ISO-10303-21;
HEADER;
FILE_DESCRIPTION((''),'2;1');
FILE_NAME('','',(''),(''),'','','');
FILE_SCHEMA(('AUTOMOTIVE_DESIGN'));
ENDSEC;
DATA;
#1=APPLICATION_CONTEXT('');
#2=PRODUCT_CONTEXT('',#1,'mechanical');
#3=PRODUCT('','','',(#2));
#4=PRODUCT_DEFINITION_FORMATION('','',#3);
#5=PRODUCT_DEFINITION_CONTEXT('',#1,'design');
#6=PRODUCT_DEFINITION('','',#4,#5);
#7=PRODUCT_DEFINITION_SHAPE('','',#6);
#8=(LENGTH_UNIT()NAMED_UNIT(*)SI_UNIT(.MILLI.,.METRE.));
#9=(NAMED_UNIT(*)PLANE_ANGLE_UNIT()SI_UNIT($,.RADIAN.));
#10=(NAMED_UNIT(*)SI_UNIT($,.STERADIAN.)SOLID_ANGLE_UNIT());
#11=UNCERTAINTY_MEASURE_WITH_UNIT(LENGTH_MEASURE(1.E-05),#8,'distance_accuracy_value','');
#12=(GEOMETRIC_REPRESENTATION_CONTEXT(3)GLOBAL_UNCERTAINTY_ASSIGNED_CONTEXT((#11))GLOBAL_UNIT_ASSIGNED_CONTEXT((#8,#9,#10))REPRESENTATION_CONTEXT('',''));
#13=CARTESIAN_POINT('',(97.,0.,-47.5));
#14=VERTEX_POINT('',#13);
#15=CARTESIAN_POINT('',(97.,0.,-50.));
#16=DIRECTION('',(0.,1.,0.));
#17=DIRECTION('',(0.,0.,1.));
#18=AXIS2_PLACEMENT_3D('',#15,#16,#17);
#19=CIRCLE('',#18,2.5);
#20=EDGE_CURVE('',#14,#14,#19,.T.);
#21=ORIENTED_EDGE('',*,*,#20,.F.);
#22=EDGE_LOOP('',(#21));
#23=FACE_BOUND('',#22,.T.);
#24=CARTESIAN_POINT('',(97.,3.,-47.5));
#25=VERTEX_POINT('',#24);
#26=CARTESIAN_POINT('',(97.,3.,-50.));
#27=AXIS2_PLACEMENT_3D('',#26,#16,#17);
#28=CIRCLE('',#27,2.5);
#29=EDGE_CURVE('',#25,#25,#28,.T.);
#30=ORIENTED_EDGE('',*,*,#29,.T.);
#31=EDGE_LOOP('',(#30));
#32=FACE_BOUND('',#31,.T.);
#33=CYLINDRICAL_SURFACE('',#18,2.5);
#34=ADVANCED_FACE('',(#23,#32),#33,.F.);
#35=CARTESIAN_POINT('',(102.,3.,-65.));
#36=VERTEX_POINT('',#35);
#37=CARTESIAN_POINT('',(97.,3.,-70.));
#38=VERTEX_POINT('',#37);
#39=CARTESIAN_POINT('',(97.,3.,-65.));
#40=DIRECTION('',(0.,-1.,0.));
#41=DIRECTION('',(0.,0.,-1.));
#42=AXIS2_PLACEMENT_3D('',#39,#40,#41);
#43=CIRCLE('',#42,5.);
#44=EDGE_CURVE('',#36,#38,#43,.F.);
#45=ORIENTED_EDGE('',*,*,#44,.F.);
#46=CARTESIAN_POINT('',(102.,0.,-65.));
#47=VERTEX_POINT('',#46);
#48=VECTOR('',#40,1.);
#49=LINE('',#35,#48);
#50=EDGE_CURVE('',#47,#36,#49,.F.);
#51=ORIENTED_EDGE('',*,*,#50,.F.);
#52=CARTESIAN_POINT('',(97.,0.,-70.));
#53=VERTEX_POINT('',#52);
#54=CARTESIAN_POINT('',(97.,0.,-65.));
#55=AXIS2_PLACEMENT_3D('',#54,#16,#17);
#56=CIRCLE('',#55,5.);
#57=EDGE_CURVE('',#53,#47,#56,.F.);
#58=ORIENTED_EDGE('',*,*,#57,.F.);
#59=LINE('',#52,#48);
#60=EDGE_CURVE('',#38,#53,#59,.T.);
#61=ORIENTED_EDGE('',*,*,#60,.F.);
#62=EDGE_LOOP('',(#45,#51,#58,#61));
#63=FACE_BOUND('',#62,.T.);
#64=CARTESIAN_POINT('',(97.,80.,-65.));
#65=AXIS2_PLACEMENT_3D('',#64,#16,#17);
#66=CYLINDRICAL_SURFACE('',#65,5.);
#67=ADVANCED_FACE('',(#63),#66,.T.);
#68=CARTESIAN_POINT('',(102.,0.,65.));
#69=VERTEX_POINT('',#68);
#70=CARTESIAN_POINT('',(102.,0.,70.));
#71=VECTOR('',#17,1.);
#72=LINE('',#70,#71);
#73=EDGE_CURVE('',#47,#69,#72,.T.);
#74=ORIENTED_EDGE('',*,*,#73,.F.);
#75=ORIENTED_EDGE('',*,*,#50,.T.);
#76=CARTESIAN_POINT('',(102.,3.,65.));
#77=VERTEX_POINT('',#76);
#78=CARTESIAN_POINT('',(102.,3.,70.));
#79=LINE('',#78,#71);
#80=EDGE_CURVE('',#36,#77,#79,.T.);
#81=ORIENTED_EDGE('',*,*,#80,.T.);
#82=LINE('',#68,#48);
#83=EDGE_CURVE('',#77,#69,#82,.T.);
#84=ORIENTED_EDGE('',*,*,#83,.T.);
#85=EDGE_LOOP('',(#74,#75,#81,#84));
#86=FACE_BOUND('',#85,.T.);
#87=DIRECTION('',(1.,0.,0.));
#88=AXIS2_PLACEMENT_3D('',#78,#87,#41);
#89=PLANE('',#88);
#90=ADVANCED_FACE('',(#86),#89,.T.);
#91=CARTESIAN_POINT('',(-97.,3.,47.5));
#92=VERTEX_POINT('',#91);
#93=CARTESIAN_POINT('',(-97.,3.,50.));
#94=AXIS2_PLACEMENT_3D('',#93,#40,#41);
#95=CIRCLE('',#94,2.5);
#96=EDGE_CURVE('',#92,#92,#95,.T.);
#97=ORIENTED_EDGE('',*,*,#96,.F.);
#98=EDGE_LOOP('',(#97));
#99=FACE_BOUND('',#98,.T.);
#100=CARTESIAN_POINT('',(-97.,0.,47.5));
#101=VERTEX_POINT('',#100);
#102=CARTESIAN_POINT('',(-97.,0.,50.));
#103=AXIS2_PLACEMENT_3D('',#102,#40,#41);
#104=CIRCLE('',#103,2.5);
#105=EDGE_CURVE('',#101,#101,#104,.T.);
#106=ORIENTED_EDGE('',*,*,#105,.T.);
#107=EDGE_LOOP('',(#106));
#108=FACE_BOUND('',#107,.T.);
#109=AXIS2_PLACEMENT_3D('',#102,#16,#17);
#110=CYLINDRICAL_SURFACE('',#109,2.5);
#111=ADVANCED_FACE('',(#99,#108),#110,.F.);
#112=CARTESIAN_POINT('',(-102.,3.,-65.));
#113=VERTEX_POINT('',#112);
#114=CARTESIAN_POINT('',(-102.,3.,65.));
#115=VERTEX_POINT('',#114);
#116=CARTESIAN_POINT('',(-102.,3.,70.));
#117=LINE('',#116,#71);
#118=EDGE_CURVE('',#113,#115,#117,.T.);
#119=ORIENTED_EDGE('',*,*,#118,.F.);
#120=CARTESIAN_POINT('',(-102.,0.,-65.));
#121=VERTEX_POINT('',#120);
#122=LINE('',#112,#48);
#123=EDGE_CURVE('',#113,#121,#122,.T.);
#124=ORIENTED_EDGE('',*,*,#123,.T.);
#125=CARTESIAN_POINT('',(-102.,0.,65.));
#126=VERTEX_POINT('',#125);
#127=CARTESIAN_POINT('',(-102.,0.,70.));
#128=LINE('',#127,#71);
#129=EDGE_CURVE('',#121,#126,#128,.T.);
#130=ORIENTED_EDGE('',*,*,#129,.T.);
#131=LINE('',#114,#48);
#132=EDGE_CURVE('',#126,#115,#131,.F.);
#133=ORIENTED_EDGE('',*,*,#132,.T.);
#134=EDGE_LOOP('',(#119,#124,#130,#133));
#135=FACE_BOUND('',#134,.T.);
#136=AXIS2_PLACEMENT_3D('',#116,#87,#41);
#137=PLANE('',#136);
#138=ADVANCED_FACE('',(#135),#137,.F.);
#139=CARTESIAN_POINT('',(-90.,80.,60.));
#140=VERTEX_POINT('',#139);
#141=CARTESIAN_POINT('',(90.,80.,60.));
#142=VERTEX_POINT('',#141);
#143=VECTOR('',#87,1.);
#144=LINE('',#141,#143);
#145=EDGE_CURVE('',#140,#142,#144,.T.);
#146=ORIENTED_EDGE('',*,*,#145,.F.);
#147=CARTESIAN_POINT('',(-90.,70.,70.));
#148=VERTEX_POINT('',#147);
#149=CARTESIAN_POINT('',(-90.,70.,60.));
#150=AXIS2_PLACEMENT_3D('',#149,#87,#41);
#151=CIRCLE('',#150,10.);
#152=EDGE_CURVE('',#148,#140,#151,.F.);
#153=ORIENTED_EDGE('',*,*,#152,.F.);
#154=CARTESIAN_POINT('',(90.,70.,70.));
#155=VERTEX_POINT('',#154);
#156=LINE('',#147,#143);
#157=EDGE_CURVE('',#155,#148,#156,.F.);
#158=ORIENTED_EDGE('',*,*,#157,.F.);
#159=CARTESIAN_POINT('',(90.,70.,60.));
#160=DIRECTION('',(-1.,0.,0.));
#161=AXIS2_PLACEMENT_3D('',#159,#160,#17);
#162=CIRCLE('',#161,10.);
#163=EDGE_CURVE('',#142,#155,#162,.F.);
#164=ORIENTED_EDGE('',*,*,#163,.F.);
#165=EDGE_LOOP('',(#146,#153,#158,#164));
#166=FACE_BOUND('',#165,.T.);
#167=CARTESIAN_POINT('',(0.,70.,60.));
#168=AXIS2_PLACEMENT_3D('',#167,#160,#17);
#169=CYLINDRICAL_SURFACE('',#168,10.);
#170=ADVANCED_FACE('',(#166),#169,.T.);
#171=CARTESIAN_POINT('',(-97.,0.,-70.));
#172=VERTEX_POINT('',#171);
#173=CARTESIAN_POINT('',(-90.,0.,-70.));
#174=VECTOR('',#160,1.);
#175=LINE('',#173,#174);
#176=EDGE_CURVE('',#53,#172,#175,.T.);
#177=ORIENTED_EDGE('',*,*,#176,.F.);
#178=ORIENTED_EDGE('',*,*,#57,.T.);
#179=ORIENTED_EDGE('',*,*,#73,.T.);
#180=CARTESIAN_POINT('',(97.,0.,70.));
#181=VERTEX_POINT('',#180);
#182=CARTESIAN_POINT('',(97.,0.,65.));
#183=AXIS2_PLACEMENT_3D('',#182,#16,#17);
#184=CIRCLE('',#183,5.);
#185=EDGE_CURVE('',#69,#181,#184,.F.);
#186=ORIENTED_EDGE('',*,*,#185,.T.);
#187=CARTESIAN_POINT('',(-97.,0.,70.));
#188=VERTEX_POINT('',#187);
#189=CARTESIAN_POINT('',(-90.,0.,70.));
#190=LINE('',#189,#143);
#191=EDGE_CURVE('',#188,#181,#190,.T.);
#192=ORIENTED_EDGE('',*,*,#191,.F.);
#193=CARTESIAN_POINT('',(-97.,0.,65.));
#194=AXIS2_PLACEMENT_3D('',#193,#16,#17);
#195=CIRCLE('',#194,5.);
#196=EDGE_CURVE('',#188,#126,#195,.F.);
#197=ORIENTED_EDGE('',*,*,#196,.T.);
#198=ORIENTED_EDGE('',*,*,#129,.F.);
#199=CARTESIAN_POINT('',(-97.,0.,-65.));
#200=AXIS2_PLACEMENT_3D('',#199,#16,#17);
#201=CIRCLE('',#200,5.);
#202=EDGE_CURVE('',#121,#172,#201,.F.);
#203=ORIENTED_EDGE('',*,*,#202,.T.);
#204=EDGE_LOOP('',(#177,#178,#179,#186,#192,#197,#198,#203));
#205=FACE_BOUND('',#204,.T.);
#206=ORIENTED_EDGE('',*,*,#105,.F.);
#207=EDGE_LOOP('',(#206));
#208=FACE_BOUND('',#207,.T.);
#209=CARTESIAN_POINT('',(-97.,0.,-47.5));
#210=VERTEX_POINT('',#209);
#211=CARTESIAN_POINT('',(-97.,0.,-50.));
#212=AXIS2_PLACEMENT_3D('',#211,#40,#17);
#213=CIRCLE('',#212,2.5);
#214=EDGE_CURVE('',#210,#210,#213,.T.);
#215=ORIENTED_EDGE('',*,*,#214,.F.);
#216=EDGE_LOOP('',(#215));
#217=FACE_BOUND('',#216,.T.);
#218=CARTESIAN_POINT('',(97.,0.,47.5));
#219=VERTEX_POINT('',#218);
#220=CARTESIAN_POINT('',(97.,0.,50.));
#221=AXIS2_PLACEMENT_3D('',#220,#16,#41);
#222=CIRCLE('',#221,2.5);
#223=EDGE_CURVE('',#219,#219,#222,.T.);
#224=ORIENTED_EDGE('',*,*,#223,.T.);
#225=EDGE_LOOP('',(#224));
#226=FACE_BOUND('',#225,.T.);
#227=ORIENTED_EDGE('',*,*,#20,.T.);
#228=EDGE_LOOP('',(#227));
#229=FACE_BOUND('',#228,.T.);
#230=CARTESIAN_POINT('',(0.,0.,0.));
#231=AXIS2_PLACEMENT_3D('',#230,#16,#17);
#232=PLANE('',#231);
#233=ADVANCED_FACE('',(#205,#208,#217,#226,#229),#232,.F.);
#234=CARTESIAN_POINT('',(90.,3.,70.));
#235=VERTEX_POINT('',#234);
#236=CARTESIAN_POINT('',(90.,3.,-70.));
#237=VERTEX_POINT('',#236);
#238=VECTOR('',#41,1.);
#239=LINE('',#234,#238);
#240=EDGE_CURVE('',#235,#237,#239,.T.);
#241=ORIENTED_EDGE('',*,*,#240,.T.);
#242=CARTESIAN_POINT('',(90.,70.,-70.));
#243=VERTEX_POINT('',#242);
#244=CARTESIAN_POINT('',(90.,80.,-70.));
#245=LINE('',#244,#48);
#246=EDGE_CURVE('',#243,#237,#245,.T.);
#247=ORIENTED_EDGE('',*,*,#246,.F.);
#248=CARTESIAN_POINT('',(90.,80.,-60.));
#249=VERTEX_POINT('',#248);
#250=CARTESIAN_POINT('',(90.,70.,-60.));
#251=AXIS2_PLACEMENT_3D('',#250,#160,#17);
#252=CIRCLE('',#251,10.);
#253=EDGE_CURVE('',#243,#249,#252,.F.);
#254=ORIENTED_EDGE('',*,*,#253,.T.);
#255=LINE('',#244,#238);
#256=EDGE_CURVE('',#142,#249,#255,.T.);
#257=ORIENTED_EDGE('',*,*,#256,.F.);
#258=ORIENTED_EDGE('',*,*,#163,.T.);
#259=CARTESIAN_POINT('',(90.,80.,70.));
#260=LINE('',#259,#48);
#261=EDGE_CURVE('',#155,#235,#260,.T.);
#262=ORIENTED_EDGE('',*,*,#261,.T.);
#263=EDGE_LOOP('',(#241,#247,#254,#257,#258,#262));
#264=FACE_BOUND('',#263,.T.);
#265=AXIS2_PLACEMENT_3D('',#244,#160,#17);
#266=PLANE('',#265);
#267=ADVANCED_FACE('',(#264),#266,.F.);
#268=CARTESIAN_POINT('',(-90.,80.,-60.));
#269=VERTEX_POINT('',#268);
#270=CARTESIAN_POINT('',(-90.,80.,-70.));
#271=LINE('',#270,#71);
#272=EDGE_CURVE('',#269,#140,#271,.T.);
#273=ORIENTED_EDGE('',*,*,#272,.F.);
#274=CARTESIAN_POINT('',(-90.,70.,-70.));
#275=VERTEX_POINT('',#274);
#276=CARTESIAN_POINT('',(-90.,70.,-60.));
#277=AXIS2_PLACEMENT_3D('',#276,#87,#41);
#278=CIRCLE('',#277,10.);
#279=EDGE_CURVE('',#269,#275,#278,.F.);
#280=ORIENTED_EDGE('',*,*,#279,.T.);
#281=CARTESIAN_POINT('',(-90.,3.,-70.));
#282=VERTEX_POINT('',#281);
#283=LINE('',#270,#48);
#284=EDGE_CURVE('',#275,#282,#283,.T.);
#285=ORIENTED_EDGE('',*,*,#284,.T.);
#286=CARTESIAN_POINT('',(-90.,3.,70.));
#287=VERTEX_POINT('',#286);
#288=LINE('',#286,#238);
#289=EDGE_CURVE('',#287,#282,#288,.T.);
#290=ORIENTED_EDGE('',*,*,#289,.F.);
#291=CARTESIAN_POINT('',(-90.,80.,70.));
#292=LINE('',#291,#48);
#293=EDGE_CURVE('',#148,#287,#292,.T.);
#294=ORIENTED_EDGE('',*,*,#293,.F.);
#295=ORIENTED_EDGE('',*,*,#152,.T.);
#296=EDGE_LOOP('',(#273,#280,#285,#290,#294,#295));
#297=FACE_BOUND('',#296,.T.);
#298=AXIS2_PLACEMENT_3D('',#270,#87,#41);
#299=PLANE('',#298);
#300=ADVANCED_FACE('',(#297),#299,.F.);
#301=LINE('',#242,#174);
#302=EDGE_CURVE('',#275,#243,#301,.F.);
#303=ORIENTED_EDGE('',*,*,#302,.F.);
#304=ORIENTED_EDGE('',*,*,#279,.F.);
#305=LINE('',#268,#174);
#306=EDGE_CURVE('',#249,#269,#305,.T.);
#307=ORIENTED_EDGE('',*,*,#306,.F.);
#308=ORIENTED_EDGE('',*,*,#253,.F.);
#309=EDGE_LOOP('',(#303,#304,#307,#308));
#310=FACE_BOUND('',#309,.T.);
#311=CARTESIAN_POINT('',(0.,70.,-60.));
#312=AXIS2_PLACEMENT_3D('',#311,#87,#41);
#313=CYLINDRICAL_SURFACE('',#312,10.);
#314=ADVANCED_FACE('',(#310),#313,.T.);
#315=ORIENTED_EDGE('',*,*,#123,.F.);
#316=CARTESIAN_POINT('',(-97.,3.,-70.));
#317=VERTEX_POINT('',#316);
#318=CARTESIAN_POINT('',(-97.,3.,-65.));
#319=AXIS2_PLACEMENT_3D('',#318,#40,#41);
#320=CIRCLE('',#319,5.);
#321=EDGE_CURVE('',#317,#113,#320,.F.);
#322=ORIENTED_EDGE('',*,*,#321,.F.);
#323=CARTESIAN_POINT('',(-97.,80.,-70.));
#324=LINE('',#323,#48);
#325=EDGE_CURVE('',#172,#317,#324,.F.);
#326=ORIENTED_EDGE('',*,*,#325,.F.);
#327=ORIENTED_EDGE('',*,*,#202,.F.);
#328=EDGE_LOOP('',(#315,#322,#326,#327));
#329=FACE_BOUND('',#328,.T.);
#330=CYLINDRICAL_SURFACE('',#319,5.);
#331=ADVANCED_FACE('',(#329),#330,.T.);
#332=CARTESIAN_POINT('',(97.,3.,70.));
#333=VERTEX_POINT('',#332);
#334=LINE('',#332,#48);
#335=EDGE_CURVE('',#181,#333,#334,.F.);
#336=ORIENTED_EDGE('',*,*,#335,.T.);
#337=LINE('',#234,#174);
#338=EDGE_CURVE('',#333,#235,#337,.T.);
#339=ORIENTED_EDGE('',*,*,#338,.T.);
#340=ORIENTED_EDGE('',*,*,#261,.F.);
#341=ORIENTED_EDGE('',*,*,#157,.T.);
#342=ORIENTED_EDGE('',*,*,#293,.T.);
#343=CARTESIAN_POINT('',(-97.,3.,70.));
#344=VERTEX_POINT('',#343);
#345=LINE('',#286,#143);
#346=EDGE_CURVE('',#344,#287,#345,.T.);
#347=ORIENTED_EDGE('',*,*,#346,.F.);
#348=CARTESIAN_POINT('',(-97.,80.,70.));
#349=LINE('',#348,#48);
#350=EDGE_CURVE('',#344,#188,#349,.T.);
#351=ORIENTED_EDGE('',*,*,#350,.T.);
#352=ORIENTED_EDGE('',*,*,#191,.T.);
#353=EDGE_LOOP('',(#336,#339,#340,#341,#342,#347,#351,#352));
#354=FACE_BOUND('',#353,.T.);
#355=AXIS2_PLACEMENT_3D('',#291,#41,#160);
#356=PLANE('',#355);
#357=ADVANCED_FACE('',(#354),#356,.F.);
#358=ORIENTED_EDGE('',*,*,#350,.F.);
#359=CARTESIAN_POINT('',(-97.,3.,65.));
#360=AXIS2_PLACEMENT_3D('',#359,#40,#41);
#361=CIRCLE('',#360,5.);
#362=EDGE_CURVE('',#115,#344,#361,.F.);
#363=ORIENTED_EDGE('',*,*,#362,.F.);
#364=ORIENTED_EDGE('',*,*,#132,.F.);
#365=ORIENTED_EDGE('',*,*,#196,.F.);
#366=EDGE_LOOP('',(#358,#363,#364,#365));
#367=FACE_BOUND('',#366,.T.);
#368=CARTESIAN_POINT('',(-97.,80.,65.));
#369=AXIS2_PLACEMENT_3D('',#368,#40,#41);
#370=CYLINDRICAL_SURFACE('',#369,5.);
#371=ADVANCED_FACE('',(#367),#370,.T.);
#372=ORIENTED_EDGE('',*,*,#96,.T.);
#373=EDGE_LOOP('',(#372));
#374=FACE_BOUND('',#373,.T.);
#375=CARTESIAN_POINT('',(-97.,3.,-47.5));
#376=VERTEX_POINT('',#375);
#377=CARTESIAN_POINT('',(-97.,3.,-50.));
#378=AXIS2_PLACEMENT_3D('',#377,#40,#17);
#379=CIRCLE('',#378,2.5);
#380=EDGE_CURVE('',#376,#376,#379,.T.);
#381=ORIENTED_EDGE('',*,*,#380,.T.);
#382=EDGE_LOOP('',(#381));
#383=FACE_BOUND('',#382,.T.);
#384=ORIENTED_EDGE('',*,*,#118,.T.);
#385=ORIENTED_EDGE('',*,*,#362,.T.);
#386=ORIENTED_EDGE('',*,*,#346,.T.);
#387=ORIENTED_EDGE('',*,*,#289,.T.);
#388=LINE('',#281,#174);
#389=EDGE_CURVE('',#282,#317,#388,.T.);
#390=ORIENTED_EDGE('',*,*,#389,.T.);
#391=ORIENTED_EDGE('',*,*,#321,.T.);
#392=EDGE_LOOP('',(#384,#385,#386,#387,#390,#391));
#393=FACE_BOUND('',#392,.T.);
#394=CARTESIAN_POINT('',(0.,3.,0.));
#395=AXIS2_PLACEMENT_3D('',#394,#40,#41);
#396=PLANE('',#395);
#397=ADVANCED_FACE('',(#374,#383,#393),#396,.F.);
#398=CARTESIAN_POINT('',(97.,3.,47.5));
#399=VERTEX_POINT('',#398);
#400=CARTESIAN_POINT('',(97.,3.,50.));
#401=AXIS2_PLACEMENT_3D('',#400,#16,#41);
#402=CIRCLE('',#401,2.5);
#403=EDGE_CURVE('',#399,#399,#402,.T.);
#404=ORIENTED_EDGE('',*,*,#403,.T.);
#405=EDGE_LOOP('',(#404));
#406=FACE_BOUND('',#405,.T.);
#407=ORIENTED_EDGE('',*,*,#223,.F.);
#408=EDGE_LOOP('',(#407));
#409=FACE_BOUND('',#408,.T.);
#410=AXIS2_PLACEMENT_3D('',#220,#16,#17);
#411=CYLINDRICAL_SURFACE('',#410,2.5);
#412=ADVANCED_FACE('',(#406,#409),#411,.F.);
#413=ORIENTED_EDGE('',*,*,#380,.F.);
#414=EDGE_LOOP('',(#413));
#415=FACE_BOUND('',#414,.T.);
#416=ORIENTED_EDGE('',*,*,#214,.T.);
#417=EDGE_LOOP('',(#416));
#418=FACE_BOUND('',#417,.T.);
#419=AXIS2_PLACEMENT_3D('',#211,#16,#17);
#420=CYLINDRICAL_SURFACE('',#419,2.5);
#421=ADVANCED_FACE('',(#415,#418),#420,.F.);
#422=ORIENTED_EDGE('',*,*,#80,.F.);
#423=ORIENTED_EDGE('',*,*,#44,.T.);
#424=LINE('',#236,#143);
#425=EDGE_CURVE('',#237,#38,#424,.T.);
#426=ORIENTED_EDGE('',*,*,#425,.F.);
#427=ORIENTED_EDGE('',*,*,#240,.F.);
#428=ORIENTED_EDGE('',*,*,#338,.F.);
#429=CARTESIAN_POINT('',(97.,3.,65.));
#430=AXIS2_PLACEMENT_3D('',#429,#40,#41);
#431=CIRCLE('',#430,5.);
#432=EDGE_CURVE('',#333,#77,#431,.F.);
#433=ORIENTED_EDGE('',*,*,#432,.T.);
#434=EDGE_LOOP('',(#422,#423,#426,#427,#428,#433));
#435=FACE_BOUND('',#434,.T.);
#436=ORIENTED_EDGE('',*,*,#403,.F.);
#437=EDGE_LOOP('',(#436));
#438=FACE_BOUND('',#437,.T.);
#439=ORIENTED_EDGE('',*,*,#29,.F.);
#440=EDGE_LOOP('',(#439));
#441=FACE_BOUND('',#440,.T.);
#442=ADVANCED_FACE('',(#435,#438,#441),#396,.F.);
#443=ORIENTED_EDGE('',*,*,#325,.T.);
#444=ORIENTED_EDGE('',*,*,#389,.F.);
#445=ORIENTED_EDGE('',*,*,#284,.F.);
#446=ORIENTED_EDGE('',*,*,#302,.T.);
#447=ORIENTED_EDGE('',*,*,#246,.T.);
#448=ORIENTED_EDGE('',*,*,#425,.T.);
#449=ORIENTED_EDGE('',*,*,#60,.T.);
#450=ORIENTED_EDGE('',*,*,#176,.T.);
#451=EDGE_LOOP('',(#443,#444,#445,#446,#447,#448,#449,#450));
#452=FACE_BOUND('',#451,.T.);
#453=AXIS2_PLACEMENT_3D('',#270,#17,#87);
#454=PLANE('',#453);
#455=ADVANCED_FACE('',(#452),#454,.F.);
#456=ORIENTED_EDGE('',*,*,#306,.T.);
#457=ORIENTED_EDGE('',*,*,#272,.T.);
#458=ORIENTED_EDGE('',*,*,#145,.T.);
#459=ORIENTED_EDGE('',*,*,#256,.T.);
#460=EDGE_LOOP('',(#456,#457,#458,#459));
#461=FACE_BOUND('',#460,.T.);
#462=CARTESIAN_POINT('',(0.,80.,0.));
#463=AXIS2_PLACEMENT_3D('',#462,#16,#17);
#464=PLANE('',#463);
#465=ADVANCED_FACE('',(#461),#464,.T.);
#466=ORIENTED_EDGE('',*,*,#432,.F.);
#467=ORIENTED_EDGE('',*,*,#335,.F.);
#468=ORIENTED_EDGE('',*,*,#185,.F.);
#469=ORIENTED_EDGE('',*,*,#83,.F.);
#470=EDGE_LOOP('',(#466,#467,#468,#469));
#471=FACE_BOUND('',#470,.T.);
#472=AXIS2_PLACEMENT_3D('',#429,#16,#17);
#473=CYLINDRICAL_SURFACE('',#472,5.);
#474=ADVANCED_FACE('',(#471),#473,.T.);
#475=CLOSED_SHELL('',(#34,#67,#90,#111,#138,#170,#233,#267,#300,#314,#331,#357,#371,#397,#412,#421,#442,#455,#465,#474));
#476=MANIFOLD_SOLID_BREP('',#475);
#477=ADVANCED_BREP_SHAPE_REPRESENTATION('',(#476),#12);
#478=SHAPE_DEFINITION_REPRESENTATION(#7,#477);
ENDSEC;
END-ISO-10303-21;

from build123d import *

# Parameters (mm, degrees)
CROQUIS1_W               = 180
CROQUIS1_H               = 140
SALIENTE_EXTRUIR1_DEPTH  = 80
CROQUIS2_W               = 12
CROQUIS2_H               = 140
SALIENTE_EXTRUIR2_DEPTH  = 3
REDONDEO1_R              = 5
CROQUIS3_R               = 2.5
CORTAR_EXTRUIR1_DEPTH    = 4
REDONDEO1_OF_SIMETR_A1_R = 5
REDONDEO2_R              = 10


with BuildPart() as part:
    # Croquis1 → Saliente-Extruir1 (new body)
    with BuildSketch(Plane(origin=(0, 0, 0), x_dir=(1, 0, 0), z_dir=(0, 1, 0))):
        Rectangle(CROQUIS1_W, CROQUIS1_H)
    extrude(amount=SALIENTE_EXTRUIR1_DEPTH)

    # Croquis2 → Saliente-Extruir2 (add)
    with BuildSketch(Plane.XZ):
        with Locations((96, 0)):
            Rectangle(CROQUIS2_W, CROQUIS2_H)
    saliente_extruir2 = extrude(amount=-SALIENTE_EXTRUIR2_DEPTH)

    # Redondeo1
    redondeo1_edges = [part.edges().sort_by_distance(p)[0] for p in [
        (102, 1.5, 70),
        (102, 1.5, -70),
    ]]
    fillet(redondeo1_edges, radius=REDONDEO1_R)

    # Croquis3 → Cortar-Extruir1 (cut, through all)
    with BuildSketch(Plane(origin=(0, 3, 0), x_dir=(1, 0, 0), z_dir=(0, 1, 0))):
        with Locations((97, 50)):
            Circle(CROQUIS3_R)
        with Locations((97, -50)):
            Circle(CROQUIS3_R)
    cortar_extruir1 = extrude(amount=-CORTAR_EXTRUIR1_DEPTH, mode=Mode.SUBTRACT)

    # Simetría1: Saliente-Extruir2, Cortar-Extruir1 across plane
    add(saliente_extruir2.mirror(Plane(origin=(0, 0, 0), x_dir=(0, 0, 1), z_dir=(1, 0, 0))))
    add(cortar_extruir1.mirror(Plane(origin=(0, 0, 0), x_dir=(0, 0, 1), z_dir=(1, 0, 0))), mode=Mode.SUBTRACT)

    # Redondeo1 of Simetría1
    redondeo1_of_simetr_a1_edges = [part.edges().sort_by_distance(p)[0] for p in [
        (-102, 1.5, 70),
        (-102, 1.5, -70),
    ]]
    fillet(redondeo1_of_simetr_a1_edges, radius=REDONDEO1_OF_SIMETR_A1_R)

    # Redondeo2
    redondeo2_edges = [part.edges().sort_by_distance(p)[0] for p in [
        (0, 80, 70),
        (0, 80, -70),
    ]]
    fillet(redondeo2_edges, radius=REDONDEO2_R)


solid = part.part
